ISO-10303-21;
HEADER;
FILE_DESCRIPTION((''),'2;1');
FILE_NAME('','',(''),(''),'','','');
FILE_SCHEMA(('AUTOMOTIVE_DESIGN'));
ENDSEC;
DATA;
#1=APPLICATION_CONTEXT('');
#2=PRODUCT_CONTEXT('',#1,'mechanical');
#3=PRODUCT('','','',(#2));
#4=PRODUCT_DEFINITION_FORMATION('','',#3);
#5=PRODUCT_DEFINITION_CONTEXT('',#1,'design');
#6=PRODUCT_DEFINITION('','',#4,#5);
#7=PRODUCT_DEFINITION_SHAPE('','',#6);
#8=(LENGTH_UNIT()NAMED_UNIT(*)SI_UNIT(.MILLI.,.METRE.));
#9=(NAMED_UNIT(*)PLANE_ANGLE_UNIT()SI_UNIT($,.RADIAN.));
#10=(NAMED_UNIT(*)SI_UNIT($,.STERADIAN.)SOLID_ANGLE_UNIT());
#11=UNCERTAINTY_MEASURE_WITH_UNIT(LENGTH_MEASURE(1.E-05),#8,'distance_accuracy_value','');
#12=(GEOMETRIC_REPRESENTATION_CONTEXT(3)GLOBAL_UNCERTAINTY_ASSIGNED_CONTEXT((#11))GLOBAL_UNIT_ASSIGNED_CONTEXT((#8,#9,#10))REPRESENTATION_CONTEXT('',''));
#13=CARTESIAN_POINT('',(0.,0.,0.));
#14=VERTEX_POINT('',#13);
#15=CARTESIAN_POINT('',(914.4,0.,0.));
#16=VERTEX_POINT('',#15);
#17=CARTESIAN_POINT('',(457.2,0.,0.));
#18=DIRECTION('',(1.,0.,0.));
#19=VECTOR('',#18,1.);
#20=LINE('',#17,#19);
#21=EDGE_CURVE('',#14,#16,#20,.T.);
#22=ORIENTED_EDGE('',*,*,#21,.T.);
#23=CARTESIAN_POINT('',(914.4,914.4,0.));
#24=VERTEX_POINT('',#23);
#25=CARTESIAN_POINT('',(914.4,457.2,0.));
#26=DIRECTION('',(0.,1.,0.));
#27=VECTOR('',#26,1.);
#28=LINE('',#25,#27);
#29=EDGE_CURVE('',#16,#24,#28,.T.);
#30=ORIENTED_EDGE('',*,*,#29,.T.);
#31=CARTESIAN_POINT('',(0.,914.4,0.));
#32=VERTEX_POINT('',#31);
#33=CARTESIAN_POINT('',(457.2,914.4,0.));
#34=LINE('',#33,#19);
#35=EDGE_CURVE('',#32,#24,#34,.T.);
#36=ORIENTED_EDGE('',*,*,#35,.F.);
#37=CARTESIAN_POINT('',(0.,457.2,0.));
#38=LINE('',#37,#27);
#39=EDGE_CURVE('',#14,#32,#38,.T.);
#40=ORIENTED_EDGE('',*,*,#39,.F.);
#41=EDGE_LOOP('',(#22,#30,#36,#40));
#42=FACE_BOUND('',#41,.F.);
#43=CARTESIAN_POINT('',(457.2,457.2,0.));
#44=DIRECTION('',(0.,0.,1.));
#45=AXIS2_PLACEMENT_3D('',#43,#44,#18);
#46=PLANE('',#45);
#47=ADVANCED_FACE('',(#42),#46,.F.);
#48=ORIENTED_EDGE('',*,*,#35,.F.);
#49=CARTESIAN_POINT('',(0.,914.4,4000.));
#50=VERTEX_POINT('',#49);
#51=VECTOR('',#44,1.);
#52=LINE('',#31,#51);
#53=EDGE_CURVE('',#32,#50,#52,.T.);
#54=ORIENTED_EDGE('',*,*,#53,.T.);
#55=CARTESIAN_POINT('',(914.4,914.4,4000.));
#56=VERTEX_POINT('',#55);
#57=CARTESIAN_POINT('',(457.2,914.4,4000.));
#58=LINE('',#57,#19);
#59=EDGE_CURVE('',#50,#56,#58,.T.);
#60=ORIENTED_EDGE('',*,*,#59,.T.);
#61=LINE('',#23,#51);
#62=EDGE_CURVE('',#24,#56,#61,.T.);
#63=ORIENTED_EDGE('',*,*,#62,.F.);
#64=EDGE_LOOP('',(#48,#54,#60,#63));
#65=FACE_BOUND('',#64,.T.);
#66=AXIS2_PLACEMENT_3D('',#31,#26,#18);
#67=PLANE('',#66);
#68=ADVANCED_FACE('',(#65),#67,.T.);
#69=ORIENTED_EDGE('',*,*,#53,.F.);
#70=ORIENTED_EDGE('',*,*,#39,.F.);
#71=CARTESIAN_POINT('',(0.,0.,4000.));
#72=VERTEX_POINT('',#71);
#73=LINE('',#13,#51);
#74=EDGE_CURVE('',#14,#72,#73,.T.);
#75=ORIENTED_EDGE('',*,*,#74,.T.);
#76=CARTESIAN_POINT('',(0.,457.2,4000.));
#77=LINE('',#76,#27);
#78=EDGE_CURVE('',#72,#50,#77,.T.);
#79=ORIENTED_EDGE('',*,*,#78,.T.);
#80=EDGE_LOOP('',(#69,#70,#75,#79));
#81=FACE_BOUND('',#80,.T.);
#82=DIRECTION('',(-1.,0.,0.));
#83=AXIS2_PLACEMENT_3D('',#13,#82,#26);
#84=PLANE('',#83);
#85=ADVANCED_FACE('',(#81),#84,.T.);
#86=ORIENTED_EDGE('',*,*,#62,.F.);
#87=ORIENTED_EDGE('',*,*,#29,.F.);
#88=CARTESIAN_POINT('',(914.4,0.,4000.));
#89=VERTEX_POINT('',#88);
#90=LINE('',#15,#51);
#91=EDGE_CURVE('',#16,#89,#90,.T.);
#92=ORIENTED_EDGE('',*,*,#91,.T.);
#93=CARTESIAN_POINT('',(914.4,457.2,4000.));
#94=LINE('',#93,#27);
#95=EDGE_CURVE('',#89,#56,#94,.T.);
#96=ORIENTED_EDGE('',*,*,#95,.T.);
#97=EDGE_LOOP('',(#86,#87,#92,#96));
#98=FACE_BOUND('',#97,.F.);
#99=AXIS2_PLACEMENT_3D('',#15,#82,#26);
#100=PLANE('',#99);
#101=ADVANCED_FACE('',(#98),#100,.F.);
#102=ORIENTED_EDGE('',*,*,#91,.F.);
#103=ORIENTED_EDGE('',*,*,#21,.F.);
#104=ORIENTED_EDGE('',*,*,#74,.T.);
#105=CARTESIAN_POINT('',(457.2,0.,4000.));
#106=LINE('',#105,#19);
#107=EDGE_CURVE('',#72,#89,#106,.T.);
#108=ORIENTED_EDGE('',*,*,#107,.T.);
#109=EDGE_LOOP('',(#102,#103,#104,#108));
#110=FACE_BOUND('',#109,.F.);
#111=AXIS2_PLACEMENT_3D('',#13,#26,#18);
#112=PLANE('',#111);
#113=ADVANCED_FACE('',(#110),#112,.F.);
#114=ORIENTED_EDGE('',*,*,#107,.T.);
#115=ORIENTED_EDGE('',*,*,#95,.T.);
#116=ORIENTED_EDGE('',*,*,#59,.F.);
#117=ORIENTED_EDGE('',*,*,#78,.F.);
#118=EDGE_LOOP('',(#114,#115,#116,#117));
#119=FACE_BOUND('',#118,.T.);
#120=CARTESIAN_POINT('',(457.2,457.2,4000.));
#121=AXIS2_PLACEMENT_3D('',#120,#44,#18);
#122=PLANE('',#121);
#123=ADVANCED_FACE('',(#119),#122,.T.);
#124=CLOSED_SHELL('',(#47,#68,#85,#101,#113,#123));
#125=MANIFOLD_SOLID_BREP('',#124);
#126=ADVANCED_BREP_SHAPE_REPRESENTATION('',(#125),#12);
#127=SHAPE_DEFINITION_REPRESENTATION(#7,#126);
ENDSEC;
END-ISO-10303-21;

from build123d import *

# Parameters (mm, degrees)
BOX_W     = 914.4
BOX_H     = 914.4
BOX_DEPTH = 4000


with BuildPart() as part:
    # Box → Box (new body)
    with BuildSketch(Plane.XY):
        with Locations((457.2, 457.2)):
            Rectangle(BOX_W, BOX_H)
    extrude(amount=BOX_DEPTH)


solid = part.part
